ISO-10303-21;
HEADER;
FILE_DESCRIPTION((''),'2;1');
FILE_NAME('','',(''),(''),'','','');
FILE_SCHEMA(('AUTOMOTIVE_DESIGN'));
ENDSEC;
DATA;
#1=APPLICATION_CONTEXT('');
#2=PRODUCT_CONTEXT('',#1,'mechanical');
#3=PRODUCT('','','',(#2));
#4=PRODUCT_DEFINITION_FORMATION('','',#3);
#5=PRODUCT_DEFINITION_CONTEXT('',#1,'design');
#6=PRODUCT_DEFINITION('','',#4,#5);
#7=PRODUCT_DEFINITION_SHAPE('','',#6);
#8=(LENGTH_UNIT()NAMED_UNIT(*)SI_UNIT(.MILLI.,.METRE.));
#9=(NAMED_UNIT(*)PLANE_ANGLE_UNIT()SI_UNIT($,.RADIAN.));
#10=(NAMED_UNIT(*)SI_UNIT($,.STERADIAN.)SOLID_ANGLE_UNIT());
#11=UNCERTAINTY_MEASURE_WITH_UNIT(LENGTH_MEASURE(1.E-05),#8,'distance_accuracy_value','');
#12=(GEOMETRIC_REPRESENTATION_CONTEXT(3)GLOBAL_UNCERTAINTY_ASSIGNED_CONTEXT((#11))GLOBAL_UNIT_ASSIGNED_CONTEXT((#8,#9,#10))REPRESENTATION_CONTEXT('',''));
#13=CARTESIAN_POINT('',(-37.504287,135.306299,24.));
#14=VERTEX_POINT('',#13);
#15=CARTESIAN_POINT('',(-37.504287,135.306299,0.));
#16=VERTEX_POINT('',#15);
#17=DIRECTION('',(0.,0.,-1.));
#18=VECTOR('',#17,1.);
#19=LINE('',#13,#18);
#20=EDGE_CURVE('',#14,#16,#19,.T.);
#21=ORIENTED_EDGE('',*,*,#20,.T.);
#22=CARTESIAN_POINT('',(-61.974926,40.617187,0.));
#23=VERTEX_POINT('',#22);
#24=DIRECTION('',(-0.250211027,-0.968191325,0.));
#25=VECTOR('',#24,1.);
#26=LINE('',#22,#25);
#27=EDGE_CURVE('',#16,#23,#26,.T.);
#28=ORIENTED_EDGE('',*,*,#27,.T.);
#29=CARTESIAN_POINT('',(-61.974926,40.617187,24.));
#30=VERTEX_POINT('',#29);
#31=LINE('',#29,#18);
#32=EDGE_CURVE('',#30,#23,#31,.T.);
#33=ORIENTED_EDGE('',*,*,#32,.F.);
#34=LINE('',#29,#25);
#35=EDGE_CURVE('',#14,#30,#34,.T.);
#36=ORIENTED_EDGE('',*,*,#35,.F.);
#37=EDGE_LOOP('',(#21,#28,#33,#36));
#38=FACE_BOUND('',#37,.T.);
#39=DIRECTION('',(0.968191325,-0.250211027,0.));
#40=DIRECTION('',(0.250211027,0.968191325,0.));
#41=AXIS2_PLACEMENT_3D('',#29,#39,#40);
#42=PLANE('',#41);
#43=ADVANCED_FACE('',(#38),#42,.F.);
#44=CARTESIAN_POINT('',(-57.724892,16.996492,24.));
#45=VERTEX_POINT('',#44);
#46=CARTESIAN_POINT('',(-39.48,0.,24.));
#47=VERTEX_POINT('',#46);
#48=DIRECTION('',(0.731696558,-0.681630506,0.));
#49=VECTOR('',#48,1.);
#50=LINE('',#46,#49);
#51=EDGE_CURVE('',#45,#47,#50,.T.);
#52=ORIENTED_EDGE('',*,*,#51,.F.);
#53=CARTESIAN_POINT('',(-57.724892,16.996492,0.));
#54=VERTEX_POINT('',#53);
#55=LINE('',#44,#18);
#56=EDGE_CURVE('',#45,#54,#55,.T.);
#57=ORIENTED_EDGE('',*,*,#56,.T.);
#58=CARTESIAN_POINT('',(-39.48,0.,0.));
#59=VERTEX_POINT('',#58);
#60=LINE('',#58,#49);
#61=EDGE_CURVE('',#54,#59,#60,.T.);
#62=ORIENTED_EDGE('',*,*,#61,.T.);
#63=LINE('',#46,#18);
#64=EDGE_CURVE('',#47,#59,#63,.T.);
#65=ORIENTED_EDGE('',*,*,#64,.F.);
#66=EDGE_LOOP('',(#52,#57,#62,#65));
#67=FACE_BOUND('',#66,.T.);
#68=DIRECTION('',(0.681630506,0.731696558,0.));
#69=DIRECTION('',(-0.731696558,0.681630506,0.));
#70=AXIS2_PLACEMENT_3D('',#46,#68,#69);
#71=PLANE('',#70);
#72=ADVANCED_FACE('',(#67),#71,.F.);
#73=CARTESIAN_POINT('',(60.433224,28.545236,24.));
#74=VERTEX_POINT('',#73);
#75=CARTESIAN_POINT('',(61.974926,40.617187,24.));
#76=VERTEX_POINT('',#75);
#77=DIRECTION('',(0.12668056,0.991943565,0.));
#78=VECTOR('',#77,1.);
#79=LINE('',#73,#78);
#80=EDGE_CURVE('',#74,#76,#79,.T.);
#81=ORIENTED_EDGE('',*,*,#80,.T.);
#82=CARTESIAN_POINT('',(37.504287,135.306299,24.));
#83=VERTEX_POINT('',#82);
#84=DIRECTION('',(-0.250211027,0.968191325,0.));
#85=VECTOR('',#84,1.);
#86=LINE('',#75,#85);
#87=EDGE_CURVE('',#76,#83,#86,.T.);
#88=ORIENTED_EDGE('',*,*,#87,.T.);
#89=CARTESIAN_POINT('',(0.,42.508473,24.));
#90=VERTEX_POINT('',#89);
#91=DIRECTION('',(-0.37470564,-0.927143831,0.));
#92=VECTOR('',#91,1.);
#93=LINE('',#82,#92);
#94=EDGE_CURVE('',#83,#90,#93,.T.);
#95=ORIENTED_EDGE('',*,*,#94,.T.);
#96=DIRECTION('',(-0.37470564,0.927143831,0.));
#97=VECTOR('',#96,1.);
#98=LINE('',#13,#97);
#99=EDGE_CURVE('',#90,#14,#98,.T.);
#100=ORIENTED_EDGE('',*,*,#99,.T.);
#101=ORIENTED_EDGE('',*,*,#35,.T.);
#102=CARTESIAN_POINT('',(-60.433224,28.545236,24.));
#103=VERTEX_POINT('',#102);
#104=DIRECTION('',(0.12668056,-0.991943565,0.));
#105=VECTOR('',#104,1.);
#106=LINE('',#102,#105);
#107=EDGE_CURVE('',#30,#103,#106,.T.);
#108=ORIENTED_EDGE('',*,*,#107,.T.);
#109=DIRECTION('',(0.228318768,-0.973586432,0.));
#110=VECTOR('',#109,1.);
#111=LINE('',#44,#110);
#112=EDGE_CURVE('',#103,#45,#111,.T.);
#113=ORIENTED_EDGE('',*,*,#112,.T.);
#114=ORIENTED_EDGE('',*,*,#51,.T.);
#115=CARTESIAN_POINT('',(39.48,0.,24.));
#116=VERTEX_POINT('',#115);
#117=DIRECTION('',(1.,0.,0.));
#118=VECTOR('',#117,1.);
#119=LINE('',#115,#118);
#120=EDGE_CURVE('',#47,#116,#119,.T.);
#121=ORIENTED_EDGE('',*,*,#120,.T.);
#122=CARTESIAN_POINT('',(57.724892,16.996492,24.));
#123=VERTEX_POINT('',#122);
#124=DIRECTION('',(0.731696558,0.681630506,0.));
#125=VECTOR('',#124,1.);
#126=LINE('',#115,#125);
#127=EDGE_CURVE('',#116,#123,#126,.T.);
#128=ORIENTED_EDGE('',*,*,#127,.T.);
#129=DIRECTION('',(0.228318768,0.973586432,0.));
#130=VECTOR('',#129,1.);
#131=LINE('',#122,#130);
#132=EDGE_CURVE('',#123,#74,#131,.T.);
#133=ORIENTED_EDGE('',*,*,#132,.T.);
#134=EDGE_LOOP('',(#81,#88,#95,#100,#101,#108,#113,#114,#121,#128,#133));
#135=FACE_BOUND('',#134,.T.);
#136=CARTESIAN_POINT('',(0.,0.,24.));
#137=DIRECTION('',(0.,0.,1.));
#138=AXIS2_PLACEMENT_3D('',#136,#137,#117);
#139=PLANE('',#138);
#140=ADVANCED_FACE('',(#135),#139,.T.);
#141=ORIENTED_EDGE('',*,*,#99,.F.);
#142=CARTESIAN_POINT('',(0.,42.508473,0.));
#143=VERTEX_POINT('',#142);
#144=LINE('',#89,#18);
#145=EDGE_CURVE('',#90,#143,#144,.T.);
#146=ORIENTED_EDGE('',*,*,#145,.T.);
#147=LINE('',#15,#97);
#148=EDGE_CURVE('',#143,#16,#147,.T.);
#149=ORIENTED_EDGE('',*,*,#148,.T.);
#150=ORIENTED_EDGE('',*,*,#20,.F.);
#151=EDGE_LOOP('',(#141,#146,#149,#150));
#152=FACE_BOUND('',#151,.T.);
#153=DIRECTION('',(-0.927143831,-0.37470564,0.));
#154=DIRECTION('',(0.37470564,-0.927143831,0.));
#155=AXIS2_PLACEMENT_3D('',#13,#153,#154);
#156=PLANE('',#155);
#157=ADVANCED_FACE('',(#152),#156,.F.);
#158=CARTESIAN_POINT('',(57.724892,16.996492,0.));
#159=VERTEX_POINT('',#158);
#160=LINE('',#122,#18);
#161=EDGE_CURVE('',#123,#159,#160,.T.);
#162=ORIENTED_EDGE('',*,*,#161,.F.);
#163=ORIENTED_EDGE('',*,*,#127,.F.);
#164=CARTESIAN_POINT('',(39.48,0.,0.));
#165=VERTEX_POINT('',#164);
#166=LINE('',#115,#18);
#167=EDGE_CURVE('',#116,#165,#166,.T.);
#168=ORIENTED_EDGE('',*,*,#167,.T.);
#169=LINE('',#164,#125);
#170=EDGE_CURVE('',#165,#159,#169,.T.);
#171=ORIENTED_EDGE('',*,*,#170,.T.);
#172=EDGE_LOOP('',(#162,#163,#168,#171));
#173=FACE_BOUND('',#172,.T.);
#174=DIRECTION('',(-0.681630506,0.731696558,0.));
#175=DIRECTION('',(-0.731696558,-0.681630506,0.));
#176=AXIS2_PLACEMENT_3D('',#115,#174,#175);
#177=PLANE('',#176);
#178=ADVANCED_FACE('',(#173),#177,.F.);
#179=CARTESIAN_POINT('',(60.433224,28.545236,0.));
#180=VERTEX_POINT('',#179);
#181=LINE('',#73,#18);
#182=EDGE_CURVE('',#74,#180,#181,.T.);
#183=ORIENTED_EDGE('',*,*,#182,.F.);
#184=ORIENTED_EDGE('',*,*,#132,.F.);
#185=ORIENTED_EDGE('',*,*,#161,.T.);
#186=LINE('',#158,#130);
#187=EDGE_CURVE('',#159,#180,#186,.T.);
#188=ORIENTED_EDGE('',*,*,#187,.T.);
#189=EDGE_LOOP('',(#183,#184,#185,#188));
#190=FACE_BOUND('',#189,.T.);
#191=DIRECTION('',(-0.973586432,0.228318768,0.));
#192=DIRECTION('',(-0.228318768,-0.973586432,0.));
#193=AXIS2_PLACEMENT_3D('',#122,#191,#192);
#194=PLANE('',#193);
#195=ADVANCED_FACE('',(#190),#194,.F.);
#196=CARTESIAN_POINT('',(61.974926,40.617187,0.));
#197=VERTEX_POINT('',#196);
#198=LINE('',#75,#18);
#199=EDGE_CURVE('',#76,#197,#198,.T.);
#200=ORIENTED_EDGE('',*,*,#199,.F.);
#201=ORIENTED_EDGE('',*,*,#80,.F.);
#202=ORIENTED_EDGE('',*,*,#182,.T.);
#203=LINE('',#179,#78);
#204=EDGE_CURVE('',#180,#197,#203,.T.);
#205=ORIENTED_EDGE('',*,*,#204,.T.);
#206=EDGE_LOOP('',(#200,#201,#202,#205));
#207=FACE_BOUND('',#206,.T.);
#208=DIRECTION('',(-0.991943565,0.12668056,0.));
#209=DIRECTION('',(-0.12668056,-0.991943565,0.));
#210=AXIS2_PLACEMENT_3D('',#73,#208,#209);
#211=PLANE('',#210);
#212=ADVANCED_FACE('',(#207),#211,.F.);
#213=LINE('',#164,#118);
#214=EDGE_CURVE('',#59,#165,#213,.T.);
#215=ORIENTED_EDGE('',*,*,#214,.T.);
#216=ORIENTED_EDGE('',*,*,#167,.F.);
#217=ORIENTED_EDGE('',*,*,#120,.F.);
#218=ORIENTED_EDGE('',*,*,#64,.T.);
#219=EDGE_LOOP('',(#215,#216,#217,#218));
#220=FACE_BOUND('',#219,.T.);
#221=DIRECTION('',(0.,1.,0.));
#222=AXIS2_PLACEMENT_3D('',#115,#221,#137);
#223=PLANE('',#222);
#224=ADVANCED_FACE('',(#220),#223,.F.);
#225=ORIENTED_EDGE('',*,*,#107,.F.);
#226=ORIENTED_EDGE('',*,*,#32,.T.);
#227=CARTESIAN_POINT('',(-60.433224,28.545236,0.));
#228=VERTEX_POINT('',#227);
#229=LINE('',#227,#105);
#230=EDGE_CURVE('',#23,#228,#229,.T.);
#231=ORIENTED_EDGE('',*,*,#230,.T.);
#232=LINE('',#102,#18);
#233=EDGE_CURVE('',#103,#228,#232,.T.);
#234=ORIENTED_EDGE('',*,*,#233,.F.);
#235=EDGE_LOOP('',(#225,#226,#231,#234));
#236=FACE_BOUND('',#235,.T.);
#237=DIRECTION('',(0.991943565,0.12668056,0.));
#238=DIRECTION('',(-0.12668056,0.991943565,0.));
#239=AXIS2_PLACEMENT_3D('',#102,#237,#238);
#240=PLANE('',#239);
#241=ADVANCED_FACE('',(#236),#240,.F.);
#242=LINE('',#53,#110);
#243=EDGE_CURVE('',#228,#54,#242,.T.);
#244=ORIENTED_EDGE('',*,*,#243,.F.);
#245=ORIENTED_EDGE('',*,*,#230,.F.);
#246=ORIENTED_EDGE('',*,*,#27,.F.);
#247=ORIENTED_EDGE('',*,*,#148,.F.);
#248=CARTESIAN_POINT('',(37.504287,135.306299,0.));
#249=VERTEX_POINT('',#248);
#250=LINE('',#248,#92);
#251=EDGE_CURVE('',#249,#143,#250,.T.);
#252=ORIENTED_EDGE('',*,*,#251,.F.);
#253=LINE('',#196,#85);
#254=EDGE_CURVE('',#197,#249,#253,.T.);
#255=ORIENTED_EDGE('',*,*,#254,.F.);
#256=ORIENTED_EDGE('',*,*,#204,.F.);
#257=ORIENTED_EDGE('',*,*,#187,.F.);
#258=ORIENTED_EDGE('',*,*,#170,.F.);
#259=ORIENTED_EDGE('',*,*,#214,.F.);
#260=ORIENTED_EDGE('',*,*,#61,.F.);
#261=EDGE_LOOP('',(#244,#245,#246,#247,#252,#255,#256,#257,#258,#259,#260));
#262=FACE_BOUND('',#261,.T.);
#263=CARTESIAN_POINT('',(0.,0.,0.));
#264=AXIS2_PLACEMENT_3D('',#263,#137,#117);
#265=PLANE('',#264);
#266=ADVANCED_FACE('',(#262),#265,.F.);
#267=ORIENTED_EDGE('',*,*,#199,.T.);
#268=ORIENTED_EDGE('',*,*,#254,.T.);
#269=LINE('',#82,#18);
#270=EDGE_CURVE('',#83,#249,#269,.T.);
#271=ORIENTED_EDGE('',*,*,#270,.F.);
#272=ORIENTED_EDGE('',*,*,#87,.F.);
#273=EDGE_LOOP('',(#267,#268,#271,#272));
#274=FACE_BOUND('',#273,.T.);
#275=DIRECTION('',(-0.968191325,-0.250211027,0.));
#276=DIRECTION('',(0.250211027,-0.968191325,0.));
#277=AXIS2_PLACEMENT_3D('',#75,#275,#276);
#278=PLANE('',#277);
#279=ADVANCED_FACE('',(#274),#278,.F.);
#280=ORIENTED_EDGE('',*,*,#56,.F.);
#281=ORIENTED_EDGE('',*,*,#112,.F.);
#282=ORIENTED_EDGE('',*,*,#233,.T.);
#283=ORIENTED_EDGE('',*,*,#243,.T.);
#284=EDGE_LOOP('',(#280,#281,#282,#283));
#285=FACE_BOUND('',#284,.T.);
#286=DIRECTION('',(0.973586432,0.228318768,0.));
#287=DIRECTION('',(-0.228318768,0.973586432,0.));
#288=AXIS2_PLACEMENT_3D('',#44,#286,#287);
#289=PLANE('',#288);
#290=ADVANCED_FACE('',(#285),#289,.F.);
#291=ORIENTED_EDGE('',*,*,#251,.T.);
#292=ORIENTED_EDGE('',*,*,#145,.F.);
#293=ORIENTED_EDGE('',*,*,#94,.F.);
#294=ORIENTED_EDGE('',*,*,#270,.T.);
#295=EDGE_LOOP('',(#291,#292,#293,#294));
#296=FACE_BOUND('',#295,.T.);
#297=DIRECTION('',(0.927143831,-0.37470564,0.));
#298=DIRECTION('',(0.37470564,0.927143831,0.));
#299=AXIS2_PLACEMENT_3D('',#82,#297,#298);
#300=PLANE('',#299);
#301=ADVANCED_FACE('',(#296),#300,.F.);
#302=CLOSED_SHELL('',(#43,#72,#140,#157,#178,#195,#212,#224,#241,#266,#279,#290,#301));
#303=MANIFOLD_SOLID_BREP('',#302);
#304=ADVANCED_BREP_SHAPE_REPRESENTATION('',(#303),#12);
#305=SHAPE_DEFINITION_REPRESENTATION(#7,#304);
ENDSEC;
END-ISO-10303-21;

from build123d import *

# Parameters (mm, degrees)
BOSS_EXTRUDE1_DEPTH = 24


with BuildPart() as part:
    # Sketch4 → Boss-Extrude1 (new body)
    with BuildSketch(Plane.XY):
        Polygon((39.48, 0), (-39.48, 0), (-57.72489212, 16.99649249), (-60.433223771, 28.545236268), (-61.974925887, 40.617187081), (-37.504287486, 135.306298684), (0, 42.508472631), (37.504287486, 135.306298684), (61.974925887, 40.617187081), (60.433223771, 28.545236268), (57.72489212, 16.99649249), align=None)
    extrude(amount=BOSS_EXTRUDE1_DEPTH)


solid = part.part
